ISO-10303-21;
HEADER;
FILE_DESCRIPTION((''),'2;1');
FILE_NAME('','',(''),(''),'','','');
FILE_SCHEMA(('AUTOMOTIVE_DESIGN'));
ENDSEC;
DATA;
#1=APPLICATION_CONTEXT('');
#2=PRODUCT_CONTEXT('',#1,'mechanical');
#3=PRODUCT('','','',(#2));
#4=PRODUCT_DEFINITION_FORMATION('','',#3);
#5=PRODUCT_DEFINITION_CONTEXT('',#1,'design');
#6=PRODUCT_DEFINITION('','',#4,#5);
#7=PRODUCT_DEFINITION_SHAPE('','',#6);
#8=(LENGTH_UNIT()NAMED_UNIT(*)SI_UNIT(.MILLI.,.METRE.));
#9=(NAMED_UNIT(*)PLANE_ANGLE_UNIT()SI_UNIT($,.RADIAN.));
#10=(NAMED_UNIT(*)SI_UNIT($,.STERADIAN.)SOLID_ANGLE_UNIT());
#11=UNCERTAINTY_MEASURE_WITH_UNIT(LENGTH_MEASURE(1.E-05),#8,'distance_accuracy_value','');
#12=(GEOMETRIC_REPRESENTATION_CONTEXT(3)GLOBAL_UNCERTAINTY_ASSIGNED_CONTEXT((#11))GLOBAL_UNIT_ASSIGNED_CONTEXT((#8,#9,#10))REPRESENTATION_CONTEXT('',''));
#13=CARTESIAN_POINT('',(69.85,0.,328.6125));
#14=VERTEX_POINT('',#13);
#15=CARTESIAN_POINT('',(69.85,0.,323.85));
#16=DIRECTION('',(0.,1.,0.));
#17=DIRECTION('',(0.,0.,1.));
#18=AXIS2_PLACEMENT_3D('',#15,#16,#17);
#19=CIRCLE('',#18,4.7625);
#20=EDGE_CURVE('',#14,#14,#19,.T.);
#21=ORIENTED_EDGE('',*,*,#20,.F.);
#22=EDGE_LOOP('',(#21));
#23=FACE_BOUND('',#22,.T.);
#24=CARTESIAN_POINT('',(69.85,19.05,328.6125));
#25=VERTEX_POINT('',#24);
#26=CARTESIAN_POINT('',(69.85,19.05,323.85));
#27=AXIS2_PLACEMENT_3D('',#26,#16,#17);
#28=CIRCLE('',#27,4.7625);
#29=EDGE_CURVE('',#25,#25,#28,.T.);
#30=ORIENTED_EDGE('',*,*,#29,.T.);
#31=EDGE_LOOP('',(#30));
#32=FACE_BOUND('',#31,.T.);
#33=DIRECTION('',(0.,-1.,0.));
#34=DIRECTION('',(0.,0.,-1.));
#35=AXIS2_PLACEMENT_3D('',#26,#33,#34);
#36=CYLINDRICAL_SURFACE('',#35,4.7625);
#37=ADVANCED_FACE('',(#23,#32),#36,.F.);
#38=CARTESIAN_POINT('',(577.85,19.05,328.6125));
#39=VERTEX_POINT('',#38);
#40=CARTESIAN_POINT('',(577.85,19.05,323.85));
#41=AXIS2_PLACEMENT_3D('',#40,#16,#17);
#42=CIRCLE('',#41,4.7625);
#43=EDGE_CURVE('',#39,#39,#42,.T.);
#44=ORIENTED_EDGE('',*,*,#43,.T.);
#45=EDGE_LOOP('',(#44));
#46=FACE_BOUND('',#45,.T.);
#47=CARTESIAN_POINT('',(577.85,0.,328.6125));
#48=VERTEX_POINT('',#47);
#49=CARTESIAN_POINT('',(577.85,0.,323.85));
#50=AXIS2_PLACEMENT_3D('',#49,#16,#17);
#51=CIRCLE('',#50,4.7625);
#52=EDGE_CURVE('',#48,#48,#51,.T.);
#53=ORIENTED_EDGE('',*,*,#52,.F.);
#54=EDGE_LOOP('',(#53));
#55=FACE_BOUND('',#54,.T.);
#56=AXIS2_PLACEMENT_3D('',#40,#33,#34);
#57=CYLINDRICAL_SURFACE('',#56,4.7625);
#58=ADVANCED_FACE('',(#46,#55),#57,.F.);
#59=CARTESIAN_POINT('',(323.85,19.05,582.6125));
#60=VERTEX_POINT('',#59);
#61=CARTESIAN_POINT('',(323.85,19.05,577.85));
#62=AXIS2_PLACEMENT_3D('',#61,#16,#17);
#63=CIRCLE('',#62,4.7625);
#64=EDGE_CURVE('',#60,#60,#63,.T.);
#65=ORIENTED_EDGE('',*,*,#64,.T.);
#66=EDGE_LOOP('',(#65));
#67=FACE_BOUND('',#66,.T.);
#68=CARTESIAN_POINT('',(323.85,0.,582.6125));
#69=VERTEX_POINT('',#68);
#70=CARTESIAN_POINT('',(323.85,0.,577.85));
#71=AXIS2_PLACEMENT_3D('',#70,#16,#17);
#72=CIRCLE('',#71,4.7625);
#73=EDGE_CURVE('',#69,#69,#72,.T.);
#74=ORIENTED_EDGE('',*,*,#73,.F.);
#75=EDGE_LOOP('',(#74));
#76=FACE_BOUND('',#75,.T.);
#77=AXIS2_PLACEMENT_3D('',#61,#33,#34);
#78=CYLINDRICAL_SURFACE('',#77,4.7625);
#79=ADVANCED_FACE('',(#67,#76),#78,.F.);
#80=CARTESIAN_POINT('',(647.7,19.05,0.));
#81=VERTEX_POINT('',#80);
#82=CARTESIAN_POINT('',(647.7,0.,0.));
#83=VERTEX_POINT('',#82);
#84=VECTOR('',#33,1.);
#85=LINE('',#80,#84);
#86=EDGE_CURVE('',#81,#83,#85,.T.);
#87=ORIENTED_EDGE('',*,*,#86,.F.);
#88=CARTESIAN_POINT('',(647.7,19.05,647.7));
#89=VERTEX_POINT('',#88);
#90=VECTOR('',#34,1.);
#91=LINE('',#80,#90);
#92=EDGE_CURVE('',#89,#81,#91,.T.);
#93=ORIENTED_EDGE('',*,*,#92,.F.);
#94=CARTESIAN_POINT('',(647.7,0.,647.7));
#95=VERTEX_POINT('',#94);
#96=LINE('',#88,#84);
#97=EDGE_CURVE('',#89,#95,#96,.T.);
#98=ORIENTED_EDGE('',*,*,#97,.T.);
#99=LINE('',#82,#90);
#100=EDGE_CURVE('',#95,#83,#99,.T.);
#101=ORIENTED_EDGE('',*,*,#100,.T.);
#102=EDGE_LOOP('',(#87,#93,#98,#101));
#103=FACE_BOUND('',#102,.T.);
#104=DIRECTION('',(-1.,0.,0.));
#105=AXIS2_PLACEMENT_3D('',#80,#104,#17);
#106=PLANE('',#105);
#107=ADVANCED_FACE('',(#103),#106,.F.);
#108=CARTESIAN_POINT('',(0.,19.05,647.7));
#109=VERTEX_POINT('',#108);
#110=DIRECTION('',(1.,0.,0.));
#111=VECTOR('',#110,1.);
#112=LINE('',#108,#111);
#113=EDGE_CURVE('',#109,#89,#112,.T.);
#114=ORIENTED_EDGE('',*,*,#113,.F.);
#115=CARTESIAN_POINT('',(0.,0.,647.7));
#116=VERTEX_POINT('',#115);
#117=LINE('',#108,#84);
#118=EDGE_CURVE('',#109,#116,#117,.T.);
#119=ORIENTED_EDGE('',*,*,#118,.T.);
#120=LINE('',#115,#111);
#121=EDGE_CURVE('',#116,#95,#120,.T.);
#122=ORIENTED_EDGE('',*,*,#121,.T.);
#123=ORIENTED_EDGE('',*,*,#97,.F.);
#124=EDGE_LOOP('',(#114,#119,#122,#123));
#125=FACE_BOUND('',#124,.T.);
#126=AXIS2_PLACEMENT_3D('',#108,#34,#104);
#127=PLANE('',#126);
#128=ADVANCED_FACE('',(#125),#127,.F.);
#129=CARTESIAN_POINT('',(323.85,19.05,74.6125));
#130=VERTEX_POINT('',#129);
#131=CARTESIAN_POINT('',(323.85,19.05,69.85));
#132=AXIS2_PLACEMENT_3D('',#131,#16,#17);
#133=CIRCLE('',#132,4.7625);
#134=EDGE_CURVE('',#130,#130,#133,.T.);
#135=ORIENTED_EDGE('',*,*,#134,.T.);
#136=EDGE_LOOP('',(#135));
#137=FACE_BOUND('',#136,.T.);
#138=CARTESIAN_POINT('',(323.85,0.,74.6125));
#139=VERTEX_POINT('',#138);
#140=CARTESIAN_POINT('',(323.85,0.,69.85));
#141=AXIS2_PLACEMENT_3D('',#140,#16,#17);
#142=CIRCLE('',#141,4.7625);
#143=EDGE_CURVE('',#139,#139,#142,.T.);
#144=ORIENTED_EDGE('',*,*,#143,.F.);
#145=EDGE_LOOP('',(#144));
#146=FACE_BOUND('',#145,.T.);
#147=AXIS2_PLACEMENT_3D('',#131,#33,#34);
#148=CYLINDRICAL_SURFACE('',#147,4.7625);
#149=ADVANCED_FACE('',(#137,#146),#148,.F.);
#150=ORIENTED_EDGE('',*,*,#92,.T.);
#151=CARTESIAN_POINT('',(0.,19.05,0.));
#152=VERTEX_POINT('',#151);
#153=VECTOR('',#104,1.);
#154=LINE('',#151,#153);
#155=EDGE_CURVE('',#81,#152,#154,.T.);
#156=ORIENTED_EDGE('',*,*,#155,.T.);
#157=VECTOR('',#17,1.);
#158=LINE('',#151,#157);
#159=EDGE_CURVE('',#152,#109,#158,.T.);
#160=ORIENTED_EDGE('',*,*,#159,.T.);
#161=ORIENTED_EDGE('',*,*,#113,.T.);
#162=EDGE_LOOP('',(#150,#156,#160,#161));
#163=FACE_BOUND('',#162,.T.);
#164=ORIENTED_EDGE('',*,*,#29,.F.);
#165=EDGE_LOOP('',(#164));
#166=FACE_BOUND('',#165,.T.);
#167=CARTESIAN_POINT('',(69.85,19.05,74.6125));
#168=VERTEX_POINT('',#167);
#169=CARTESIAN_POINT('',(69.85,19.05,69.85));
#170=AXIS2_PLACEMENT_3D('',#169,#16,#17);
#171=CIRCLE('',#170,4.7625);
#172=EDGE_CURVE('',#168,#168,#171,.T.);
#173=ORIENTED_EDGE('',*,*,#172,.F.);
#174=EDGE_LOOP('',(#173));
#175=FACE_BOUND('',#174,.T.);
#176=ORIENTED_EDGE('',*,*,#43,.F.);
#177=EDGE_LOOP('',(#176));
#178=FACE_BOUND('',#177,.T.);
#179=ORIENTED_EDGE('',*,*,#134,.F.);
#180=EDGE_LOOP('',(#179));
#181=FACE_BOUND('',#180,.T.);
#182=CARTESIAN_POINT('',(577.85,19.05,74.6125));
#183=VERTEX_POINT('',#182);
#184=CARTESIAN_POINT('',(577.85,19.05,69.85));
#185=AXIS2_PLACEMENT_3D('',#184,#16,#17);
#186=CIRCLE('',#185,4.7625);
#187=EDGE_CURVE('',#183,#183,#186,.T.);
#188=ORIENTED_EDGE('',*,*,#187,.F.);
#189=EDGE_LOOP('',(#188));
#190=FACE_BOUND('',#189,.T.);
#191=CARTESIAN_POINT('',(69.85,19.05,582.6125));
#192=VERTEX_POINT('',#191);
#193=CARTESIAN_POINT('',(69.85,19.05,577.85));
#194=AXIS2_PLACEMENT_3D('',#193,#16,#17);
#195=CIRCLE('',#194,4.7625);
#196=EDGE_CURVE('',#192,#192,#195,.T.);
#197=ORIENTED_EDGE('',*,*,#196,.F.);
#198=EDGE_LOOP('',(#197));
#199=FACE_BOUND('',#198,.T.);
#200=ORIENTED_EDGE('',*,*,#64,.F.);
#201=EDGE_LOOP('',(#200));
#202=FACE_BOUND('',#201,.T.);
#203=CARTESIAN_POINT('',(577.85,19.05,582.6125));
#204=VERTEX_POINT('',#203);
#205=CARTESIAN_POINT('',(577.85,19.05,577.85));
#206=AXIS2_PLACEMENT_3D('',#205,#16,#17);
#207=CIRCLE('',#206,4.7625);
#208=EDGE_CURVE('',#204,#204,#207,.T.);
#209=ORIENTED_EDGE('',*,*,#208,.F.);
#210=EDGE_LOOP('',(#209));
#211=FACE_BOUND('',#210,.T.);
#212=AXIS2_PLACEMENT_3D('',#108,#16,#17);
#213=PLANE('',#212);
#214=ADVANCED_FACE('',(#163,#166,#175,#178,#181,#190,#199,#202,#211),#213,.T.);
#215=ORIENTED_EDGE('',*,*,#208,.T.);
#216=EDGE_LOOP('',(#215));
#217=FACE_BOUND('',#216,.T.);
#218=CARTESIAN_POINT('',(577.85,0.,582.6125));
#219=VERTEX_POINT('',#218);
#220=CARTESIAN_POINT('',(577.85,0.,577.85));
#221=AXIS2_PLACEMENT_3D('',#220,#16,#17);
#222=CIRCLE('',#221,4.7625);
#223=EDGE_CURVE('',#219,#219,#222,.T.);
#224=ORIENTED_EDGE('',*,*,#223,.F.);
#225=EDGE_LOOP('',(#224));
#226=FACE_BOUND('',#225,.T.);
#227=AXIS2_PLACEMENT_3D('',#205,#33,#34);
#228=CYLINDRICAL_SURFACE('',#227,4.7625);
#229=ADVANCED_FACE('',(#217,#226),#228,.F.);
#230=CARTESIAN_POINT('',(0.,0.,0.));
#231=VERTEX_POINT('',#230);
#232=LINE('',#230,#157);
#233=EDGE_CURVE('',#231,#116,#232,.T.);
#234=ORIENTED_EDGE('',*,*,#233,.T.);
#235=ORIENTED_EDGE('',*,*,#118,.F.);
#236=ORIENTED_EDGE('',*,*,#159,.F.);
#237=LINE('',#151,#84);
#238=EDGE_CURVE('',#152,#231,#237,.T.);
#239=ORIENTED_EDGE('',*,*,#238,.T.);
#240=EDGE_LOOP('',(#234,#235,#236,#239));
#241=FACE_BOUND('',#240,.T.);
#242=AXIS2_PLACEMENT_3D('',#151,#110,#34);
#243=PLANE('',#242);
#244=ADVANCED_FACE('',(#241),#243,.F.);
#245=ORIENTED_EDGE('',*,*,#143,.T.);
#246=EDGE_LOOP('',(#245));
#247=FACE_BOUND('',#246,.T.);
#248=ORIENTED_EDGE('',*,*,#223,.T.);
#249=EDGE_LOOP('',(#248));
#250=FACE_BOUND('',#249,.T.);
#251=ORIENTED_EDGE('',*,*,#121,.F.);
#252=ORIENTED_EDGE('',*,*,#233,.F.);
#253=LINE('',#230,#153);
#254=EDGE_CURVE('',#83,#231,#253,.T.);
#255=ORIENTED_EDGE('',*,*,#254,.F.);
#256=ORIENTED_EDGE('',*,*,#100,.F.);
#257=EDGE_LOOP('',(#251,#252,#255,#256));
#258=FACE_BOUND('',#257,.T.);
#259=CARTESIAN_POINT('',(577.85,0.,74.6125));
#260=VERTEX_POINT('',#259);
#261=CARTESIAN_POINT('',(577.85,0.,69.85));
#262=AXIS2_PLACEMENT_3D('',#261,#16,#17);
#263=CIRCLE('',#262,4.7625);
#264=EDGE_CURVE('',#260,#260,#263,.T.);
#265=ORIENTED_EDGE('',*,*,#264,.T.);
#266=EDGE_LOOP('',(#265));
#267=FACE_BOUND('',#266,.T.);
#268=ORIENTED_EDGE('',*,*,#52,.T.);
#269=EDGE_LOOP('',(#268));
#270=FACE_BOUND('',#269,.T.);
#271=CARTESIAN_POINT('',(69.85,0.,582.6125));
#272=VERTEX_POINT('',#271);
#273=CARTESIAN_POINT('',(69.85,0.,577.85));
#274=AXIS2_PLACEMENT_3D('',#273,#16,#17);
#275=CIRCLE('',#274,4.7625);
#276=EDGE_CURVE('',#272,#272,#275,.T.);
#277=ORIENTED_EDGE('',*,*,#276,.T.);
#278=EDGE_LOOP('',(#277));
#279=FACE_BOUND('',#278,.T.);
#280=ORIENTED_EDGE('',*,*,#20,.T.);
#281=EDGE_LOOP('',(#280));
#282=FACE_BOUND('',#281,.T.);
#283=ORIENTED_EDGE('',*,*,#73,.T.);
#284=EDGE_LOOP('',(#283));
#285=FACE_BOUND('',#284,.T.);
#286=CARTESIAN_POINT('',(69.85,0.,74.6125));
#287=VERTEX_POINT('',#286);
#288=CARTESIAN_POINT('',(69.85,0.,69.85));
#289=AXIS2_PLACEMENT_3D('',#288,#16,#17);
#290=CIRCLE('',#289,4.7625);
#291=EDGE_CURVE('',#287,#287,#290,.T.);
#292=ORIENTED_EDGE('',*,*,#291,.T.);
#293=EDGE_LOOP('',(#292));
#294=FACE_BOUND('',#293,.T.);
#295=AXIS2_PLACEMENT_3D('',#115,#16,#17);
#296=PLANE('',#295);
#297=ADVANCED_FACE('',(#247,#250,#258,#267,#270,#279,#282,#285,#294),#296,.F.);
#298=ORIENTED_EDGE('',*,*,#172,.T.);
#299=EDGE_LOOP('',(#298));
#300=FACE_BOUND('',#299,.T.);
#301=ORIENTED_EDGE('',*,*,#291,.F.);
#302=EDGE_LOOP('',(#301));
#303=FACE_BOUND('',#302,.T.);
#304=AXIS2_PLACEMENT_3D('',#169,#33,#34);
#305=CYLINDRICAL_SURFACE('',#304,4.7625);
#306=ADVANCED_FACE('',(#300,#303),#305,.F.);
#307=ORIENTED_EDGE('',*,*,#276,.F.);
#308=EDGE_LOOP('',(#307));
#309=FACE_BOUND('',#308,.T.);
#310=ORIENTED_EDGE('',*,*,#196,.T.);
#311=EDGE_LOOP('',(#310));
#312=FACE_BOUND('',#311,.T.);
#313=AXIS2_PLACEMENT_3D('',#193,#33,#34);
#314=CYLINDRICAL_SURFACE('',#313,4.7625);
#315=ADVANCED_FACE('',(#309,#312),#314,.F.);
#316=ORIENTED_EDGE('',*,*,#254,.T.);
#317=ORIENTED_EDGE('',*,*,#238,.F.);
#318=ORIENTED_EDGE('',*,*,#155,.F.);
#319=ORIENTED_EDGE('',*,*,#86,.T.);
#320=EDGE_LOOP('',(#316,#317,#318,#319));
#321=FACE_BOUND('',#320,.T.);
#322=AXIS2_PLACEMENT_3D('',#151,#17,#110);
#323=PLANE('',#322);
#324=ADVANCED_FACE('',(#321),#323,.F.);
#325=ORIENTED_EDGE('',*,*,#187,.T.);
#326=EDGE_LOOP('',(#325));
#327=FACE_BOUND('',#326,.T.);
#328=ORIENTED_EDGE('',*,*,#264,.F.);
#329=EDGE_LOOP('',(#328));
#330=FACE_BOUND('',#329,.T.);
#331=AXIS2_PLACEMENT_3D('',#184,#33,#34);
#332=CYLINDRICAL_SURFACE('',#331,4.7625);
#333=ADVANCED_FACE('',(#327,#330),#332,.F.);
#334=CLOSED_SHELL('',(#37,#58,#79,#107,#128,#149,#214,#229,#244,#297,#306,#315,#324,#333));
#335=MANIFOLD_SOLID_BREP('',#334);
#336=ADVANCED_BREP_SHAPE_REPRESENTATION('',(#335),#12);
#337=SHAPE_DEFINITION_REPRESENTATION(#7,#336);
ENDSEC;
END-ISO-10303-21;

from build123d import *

# Parameters (mm, degrees)
SKETCH1_W           = 647.7
SKETCH1_H           = 647.7
SKETCH1_R           = 4.7625
BOSS_EXTRUDE1_DEPTH = 19.05


with BuildPart() as part:
    # Sketch1 → Boss-Extrude1 (new body)
    with BuildSketch(Plane(origin=(0, 0, 0), x_dir=(1, 0, 0), z_dir=(0, 1, 0))):
        with Locations((323.85, -323.85)):
            Rectangle(SKETCH1_W, SKETCH1_H)
        with Locations((69.85, -69.85)):
            Circle(SKETCH1_R, mode=Mode.SUBTRACT)
        with Locations((323.85, -69.85)):
            Circle(SKETCH1_R, mode=Mode.SUBTRACT)
        with Locations((577.85, -69.85)):
            Circle(SKETCH1_R, mode=Mode.SUBTRACT)
        with Locations((69.85, -323.85)):
            Circle(SKETCH1_R, mode=Mode.SUBTRACT)
        with Locations((577.85, -323.85)):
            Circle(SKETCH1_R, mode=Mode.SUBTRACT)
        with Locations((69.85, -577.85)):
            Circle(SKETCH1_R, mode=Mode.SUBTRACT)
        with Locations((577.85, -577.85)):
            Circle(SKETCH1_R, mode=Mode.SUBTRACT)
        with Locations((323.85, -577.85)):
            Circle(SKETCH1_R, mode=Mode.SUBTRACT)
    extrude(amount=BOSS_EXTRUDE1_DEPTH)


solid = part.part
